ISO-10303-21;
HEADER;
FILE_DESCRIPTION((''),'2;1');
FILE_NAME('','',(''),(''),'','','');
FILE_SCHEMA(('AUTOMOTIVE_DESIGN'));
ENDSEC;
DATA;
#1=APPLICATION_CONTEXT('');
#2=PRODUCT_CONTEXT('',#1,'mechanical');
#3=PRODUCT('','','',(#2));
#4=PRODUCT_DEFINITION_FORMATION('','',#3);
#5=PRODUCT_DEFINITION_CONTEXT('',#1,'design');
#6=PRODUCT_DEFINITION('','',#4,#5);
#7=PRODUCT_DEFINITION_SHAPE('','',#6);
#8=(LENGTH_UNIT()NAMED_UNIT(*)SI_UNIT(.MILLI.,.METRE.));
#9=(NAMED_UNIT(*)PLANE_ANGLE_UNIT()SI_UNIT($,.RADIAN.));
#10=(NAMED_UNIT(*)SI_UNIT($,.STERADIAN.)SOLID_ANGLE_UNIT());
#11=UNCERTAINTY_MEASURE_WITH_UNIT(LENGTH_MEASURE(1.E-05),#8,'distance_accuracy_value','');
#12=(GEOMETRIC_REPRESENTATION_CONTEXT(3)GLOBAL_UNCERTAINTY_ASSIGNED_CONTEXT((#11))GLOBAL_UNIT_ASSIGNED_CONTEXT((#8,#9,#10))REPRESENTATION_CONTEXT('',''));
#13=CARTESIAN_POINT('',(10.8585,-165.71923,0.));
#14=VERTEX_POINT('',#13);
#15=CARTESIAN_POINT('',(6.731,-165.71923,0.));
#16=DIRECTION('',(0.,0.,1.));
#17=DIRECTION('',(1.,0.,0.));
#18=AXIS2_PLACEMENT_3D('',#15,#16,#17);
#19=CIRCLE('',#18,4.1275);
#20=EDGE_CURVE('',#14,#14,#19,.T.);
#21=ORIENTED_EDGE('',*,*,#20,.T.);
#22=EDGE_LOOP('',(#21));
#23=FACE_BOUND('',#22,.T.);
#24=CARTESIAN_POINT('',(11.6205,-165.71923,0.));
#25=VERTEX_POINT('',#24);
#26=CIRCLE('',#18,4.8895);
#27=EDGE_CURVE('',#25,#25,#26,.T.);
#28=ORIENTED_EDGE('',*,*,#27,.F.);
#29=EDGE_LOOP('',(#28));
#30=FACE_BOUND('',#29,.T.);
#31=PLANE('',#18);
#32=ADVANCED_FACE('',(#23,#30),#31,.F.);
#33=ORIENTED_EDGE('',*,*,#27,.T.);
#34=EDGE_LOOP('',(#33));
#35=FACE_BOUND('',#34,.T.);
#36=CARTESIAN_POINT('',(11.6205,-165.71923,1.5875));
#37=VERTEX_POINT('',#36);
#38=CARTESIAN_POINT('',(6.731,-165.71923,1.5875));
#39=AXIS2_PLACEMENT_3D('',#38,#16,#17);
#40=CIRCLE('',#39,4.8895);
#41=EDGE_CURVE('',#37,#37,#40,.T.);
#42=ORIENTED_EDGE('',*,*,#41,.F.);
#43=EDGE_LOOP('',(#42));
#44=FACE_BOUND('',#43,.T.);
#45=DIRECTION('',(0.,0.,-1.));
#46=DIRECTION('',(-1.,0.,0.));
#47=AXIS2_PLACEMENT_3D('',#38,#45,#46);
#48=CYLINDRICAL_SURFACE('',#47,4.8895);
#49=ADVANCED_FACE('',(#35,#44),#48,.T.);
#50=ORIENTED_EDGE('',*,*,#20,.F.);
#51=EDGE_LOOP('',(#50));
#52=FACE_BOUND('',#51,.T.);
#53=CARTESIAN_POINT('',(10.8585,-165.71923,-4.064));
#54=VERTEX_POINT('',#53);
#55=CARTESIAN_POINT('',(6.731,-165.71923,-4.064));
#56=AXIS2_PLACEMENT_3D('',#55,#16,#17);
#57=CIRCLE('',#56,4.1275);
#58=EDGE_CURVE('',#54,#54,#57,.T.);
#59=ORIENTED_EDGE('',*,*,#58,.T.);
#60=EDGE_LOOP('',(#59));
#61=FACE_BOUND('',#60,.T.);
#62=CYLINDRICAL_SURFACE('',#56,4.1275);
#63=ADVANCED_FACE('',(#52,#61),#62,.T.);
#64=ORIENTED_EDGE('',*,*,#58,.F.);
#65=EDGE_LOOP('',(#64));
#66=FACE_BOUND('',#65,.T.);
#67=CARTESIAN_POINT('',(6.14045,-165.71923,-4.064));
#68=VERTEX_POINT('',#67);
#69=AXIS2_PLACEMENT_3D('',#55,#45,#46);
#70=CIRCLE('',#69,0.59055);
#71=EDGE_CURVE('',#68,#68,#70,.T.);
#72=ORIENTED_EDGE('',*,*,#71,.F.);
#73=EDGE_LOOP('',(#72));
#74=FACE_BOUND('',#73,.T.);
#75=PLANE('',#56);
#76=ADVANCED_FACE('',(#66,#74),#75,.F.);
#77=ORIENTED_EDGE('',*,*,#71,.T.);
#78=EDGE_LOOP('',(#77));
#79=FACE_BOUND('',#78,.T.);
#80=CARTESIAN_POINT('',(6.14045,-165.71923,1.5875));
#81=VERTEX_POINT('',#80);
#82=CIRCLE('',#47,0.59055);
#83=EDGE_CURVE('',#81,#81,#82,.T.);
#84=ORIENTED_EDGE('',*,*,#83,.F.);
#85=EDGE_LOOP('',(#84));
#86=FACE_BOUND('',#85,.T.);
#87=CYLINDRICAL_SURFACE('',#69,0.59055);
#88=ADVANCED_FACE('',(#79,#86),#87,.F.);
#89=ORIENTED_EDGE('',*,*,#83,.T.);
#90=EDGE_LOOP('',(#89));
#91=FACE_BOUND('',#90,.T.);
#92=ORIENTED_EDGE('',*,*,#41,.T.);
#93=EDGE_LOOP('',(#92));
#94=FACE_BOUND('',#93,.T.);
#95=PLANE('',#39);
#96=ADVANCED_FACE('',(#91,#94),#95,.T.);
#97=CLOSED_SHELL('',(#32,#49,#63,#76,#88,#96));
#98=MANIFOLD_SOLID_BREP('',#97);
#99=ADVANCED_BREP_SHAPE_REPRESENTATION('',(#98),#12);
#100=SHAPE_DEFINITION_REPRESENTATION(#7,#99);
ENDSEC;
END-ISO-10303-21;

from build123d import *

# Parameters (mm, degrees)
SKETCH1_R                    = 4.1275
BOSS_EXTRUDE2_DEPTH          = 4.064
SKETCH2_R                    = 4.8895
BOSS_EXTRUDE3_DEPTH          = 1.5875
F_56_0_0465_DIAMETER_HOLE1_D = 1.1811


with BuildPart() as part:
    # Sketch1 → Boss-Extrude2 (new body)
    with BuildSketch(Plane.XY):
        with Locations((6.731, -165.7192297)):
            Circle(SKETCH1_R)
    extrude(amount=-BOSS_EXTRUDE2_DEPTH)

    # Sketch2 → Boss-Extrude3 (add)
    with BuildSketch(Plane.XY):
        with Locations((6.731, -165.7192297)):
            Circle(SKETCH2_R)
    extrude(amount=BOSS_EXTRUDE3_DEPTH)

    # #56 (0.0465) Diameter Hole1 (through all)
    with Locations(Plane(origin=(0, 0, -4.064), x_dir=(-1, 0, 0), z_dir=(0, 0, -1))):
        with Locations((-6.731, -165.7192297)):
            Hole(F_56_0_0465_DIAMETER_HOLE1_D / 2)


solid = part.part
